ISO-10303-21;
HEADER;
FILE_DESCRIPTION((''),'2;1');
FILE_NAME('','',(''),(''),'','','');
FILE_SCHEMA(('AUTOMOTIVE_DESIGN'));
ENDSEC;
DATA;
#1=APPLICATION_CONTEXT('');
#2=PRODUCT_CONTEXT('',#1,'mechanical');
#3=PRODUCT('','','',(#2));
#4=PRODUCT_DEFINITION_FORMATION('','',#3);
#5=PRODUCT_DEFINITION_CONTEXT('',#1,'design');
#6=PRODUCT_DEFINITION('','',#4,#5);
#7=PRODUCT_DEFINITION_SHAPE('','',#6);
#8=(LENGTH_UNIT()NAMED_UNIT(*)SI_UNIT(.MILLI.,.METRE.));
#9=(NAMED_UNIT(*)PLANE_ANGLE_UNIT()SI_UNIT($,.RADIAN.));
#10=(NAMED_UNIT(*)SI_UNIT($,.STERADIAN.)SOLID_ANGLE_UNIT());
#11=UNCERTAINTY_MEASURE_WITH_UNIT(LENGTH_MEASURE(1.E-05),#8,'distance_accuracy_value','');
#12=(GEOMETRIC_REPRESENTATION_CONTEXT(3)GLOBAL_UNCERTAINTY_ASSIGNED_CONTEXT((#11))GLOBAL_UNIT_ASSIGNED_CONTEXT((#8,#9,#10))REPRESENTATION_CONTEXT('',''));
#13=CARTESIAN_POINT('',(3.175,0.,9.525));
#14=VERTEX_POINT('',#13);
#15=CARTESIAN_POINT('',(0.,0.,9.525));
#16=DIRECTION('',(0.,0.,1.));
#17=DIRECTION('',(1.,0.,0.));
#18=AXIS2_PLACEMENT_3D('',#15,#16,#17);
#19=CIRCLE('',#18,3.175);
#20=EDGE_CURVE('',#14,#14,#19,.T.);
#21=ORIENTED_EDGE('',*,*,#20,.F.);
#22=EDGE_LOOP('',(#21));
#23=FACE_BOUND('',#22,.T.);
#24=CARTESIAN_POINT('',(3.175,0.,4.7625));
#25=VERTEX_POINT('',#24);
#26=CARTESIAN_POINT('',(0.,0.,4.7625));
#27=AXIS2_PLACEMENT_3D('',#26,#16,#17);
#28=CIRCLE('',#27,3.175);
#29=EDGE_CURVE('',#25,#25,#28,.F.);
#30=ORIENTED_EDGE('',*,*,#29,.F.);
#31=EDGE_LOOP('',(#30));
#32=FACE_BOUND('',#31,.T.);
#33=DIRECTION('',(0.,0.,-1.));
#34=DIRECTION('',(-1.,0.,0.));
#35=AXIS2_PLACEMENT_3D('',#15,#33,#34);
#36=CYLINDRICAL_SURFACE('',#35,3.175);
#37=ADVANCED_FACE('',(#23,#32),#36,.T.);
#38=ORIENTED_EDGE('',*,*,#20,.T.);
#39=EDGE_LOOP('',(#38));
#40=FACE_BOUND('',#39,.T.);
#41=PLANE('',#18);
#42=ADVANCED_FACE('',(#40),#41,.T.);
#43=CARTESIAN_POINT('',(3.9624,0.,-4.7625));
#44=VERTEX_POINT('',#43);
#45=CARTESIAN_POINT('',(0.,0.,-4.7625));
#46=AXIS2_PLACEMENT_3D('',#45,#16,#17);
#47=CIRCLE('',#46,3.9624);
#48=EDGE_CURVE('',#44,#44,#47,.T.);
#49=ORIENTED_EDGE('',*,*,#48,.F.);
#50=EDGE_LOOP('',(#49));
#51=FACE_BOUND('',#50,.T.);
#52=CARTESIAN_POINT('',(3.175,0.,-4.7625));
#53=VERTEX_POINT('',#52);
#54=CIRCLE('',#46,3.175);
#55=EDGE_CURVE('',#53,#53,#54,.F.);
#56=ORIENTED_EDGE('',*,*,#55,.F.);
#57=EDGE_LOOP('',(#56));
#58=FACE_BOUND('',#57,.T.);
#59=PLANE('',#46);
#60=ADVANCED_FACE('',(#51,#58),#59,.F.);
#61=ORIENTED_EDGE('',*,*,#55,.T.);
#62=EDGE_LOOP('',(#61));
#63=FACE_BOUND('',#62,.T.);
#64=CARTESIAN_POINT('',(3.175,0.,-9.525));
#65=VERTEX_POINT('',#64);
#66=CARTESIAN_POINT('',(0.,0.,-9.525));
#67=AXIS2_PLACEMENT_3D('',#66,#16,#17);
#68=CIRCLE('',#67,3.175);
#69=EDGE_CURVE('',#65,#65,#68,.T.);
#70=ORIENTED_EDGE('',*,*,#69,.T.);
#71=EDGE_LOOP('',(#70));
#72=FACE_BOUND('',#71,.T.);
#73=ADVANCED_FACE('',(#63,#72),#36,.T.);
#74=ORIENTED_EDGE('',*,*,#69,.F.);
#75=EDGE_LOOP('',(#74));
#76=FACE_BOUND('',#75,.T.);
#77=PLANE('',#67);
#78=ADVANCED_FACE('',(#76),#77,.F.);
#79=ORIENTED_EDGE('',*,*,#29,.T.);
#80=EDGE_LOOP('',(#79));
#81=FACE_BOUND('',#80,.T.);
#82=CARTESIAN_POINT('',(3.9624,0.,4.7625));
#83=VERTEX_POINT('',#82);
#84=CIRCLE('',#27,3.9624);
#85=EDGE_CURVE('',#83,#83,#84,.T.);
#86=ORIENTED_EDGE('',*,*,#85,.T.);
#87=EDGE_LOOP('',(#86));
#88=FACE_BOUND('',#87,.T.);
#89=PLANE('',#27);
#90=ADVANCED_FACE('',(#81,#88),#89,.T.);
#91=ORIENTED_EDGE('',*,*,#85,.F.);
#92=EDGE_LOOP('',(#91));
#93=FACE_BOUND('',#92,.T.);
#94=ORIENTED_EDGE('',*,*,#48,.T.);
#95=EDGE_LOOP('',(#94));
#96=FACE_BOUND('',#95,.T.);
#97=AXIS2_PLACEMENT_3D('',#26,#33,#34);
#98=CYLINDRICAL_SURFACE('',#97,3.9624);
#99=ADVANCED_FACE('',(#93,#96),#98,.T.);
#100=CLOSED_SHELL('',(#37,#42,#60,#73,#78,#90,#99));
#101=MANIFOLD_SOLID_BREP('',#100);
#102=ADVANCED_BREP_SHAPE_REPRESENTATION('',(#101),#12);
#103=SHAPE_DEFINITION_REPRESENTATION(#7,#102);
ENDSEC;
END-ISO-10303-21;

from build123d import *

# Parameters (mm, degrees)
SKETCH1_R           = 3.9624
BOSS_EXTRUDE1_DEPTH = 4.7625
SKETCH2_R           = 3.175
BOSS_EXTRUDE2_DEPTH = 9.525


with BuildPart() as part:
    # Sketch1 → Boss-Extrude1 (new body, symmetric)
    with BuildSketch(Plane.XY):
        Circle(SKETCH1_R)
    extrude(amount=BOSS_EXTRUDE1_DEPTH, both=True)

    # Sketch2 → Boss-Extrude2 (add, symmetric)
    with BuildSketch(Plane.XY):
        Circle(SKETCH2_R)
    extrude(amount=BOSS_EXTRUDE2_DEPTH, both=True)


solid = part.part
